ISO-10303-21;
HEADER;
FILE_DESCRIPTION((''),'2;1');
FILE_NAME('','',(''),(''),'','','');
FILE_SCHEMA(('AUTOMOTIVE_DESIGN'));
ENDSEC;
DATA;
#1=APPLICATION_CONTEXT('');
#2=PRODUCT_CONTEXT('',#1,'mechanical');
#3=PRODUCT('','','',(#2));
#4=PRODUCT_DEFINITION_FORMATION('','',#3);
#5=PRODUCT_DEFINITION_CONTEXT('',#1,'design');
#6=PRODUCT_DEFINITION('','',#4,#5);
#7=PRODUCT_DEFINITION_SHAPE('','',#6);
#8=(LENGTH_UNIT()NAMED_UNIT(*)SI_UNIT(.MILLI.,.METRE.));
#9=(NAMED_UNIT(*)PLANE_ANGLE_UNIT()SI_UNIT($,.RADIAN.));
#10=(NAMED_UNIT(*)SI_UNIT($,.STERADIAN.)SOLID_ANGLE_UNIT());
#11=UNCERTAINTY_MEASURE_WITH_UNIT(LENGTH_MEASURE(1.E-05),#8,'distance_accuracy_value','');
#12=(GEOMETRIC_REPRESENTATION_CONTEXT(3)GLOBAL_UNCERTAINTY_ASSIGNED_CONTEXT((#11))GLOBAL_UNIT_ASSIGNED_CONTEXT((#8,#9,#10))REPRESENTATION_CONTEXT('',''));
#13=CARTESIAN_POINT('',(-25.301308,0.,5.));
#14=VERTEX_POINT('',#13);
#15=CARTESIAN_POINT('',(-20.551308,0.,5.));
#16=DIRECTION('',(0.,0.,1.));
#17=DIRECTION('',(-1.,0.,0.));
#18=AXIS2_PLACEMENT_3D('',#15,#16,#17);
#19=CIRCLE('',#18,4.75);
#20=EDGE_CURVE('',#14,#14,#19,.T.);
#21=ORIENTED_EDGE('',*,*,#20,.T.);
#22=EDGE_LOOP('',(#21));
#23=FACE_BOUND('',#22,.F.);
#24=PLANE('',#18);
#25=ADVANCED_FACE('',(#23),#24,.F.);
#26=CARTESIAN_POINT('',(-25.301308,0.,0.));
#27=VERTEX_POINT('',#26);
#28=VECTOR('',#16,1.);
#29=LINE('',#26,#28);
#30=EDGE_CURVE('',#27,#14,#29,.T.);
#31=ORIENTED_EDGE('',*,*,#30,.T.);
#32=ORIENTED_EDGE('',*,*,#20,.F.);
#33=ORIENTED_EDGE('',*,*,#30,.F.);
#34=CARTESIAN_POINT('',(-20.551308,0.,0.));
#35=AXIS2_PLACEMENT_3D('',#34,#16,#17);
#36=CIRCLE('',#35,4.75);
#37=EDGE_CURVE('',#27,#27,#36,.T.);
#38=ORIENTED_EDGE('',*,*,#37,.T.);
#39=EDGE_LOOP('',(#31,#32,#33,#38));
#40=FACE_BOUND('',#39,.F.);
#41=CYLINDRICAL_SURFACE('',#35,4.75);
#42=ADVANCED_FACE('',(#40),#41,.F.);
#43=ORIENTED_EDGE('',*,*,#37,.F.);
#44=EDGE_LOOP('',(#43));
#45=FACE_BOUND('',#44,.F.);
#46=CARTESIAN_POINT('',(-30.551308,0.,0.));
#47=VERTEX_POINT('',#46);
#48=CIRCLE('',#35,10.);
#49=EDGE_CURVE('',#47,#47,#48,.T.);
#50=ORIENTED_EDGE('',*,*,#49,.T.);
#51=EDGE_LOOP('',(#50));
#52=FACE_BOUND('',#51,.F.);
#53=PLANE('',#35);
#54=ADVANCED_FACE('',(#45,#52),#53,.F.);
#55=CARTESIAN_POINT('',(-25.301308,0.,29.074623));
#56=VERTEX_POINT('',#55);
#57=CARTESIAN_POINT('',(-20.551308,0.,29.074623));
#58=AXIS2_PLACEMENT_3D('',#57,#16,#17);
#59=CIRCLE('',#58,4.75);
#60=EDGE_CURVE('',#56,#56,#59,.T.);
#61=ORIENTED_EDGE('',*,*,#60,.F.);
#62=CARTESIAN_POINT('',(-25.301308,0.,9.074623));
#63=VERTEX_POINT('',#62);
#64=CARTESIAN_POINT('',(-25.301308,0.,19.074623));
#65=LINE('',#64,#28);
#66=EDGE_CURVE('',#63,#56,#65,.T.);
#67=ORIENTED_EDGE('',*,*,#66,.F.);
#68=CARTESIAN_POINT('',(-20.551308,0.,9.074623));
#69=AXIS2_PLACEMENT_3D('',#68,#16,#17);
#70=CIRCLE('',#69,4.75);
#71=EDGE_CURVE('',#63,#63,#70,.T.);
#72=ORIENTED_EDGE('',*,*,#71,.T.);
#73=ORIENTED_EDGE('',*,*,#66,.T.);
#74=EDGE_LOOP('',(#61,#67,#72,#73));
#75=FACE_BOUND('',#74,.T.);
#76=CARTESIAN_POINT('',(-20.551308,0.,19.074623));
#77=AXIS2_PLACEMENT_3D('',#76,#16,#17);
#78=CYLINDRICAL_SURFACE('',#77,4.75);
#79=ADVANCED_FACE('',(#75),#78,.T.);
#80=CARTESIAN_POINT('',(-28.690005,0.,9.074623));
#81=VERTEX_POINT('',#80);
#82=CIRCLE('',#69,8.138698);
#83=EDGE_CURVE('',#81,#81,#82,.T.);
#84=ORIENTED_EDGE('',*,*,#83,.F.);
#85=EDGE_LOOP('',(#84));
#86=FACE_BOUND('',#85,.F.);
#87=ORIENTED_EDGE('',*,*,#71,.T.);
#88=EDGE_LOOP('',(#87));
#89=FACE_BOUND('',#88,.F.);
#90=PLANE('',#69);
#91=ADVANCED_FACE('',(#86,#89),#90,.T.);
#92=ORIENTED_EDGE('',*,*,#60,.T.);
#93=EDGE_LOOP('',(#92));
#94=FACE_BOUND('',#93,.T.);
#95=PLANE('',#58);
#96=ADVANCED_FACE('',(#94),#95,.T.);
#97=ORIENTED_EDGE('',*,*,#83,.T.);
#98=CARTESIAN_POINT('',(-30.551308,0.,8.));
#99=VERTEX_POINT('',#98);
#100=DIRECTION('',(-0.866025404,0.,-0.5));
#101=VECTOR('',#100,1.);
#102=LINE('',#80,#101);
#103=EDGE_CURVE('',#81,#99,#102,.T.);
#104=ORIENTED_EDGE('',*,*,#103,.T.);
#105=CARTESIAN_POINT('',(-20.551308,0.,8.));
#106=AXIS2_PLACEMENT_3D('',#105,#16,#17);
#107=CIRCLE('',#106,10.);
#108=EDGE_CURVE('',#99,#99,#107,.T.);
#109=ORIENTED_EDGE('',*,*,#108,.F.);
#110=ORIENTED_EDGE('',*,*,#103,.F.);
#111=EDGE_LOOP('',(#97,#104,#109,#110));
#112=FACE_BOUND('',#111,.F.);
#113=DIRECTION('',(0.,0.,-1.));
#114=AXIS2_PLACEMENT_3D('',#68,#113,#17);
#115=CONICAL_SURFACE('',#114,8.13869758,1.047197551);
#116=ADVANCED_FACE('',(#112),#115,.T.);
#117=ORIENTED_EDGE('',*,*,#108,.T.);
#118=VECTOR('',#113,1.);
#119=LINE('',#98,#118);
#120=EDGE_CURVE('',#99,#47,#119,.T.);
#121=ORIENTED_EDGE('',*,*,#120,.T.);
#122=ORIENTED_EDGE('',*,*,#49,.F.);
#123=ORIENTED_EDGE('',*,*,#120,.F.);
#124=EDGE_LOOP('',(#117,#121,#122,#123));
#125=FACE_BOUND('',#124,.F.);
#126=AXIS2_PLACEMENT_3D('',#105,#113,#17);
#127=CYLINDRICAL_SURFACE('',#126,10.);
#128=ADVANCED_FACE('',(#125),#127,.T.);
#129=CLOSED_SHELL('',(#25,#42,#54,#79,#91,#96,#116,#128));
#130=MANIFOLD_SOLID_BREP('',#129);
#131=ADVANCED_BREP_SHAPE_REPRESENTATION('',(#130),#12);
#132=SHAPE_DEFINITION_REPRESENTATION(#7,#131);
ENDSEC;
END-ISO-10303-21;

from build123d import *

# Parameters (mm, degrees)
F0_W   = 4.75
F0_H   = 20
F0_H_2 = 3
F0_H_3 = 1.0746234533


with BuildPart() as f1:
    # F0 (on Front) → F1 (revolve)
    with BuildSketch(Plane.XZ):
        with Locations((-22.9263077103, 19.0746234533)):
            Rectangle(F0_W, F0_H)
        Polygon((-25.3013077103, 8), (-30.5513077103, 8), (-30.5513077103, 0), (-25.3013077103, 0), (-25.3013077103, 5), align=None)
        Polygon((-28.6900052902, 9.0746234533), (-30.5513077103, 8), (-25.3013077103, 8), (-25.3013077103, 9.0746234533), align=None)
        with Locations((-22.9263077103, 6.5)):
            Rectangle(F0_W, F0_H_2)
        with Locations((-22.9263077103, 8.5373117267)):
            Rectangle(F0_W, F0_H_3)
    revolve(axis=Axis((-20.5513077103, 0, 19.0746234533), (0, 0, 1)))


solid = f1.part
